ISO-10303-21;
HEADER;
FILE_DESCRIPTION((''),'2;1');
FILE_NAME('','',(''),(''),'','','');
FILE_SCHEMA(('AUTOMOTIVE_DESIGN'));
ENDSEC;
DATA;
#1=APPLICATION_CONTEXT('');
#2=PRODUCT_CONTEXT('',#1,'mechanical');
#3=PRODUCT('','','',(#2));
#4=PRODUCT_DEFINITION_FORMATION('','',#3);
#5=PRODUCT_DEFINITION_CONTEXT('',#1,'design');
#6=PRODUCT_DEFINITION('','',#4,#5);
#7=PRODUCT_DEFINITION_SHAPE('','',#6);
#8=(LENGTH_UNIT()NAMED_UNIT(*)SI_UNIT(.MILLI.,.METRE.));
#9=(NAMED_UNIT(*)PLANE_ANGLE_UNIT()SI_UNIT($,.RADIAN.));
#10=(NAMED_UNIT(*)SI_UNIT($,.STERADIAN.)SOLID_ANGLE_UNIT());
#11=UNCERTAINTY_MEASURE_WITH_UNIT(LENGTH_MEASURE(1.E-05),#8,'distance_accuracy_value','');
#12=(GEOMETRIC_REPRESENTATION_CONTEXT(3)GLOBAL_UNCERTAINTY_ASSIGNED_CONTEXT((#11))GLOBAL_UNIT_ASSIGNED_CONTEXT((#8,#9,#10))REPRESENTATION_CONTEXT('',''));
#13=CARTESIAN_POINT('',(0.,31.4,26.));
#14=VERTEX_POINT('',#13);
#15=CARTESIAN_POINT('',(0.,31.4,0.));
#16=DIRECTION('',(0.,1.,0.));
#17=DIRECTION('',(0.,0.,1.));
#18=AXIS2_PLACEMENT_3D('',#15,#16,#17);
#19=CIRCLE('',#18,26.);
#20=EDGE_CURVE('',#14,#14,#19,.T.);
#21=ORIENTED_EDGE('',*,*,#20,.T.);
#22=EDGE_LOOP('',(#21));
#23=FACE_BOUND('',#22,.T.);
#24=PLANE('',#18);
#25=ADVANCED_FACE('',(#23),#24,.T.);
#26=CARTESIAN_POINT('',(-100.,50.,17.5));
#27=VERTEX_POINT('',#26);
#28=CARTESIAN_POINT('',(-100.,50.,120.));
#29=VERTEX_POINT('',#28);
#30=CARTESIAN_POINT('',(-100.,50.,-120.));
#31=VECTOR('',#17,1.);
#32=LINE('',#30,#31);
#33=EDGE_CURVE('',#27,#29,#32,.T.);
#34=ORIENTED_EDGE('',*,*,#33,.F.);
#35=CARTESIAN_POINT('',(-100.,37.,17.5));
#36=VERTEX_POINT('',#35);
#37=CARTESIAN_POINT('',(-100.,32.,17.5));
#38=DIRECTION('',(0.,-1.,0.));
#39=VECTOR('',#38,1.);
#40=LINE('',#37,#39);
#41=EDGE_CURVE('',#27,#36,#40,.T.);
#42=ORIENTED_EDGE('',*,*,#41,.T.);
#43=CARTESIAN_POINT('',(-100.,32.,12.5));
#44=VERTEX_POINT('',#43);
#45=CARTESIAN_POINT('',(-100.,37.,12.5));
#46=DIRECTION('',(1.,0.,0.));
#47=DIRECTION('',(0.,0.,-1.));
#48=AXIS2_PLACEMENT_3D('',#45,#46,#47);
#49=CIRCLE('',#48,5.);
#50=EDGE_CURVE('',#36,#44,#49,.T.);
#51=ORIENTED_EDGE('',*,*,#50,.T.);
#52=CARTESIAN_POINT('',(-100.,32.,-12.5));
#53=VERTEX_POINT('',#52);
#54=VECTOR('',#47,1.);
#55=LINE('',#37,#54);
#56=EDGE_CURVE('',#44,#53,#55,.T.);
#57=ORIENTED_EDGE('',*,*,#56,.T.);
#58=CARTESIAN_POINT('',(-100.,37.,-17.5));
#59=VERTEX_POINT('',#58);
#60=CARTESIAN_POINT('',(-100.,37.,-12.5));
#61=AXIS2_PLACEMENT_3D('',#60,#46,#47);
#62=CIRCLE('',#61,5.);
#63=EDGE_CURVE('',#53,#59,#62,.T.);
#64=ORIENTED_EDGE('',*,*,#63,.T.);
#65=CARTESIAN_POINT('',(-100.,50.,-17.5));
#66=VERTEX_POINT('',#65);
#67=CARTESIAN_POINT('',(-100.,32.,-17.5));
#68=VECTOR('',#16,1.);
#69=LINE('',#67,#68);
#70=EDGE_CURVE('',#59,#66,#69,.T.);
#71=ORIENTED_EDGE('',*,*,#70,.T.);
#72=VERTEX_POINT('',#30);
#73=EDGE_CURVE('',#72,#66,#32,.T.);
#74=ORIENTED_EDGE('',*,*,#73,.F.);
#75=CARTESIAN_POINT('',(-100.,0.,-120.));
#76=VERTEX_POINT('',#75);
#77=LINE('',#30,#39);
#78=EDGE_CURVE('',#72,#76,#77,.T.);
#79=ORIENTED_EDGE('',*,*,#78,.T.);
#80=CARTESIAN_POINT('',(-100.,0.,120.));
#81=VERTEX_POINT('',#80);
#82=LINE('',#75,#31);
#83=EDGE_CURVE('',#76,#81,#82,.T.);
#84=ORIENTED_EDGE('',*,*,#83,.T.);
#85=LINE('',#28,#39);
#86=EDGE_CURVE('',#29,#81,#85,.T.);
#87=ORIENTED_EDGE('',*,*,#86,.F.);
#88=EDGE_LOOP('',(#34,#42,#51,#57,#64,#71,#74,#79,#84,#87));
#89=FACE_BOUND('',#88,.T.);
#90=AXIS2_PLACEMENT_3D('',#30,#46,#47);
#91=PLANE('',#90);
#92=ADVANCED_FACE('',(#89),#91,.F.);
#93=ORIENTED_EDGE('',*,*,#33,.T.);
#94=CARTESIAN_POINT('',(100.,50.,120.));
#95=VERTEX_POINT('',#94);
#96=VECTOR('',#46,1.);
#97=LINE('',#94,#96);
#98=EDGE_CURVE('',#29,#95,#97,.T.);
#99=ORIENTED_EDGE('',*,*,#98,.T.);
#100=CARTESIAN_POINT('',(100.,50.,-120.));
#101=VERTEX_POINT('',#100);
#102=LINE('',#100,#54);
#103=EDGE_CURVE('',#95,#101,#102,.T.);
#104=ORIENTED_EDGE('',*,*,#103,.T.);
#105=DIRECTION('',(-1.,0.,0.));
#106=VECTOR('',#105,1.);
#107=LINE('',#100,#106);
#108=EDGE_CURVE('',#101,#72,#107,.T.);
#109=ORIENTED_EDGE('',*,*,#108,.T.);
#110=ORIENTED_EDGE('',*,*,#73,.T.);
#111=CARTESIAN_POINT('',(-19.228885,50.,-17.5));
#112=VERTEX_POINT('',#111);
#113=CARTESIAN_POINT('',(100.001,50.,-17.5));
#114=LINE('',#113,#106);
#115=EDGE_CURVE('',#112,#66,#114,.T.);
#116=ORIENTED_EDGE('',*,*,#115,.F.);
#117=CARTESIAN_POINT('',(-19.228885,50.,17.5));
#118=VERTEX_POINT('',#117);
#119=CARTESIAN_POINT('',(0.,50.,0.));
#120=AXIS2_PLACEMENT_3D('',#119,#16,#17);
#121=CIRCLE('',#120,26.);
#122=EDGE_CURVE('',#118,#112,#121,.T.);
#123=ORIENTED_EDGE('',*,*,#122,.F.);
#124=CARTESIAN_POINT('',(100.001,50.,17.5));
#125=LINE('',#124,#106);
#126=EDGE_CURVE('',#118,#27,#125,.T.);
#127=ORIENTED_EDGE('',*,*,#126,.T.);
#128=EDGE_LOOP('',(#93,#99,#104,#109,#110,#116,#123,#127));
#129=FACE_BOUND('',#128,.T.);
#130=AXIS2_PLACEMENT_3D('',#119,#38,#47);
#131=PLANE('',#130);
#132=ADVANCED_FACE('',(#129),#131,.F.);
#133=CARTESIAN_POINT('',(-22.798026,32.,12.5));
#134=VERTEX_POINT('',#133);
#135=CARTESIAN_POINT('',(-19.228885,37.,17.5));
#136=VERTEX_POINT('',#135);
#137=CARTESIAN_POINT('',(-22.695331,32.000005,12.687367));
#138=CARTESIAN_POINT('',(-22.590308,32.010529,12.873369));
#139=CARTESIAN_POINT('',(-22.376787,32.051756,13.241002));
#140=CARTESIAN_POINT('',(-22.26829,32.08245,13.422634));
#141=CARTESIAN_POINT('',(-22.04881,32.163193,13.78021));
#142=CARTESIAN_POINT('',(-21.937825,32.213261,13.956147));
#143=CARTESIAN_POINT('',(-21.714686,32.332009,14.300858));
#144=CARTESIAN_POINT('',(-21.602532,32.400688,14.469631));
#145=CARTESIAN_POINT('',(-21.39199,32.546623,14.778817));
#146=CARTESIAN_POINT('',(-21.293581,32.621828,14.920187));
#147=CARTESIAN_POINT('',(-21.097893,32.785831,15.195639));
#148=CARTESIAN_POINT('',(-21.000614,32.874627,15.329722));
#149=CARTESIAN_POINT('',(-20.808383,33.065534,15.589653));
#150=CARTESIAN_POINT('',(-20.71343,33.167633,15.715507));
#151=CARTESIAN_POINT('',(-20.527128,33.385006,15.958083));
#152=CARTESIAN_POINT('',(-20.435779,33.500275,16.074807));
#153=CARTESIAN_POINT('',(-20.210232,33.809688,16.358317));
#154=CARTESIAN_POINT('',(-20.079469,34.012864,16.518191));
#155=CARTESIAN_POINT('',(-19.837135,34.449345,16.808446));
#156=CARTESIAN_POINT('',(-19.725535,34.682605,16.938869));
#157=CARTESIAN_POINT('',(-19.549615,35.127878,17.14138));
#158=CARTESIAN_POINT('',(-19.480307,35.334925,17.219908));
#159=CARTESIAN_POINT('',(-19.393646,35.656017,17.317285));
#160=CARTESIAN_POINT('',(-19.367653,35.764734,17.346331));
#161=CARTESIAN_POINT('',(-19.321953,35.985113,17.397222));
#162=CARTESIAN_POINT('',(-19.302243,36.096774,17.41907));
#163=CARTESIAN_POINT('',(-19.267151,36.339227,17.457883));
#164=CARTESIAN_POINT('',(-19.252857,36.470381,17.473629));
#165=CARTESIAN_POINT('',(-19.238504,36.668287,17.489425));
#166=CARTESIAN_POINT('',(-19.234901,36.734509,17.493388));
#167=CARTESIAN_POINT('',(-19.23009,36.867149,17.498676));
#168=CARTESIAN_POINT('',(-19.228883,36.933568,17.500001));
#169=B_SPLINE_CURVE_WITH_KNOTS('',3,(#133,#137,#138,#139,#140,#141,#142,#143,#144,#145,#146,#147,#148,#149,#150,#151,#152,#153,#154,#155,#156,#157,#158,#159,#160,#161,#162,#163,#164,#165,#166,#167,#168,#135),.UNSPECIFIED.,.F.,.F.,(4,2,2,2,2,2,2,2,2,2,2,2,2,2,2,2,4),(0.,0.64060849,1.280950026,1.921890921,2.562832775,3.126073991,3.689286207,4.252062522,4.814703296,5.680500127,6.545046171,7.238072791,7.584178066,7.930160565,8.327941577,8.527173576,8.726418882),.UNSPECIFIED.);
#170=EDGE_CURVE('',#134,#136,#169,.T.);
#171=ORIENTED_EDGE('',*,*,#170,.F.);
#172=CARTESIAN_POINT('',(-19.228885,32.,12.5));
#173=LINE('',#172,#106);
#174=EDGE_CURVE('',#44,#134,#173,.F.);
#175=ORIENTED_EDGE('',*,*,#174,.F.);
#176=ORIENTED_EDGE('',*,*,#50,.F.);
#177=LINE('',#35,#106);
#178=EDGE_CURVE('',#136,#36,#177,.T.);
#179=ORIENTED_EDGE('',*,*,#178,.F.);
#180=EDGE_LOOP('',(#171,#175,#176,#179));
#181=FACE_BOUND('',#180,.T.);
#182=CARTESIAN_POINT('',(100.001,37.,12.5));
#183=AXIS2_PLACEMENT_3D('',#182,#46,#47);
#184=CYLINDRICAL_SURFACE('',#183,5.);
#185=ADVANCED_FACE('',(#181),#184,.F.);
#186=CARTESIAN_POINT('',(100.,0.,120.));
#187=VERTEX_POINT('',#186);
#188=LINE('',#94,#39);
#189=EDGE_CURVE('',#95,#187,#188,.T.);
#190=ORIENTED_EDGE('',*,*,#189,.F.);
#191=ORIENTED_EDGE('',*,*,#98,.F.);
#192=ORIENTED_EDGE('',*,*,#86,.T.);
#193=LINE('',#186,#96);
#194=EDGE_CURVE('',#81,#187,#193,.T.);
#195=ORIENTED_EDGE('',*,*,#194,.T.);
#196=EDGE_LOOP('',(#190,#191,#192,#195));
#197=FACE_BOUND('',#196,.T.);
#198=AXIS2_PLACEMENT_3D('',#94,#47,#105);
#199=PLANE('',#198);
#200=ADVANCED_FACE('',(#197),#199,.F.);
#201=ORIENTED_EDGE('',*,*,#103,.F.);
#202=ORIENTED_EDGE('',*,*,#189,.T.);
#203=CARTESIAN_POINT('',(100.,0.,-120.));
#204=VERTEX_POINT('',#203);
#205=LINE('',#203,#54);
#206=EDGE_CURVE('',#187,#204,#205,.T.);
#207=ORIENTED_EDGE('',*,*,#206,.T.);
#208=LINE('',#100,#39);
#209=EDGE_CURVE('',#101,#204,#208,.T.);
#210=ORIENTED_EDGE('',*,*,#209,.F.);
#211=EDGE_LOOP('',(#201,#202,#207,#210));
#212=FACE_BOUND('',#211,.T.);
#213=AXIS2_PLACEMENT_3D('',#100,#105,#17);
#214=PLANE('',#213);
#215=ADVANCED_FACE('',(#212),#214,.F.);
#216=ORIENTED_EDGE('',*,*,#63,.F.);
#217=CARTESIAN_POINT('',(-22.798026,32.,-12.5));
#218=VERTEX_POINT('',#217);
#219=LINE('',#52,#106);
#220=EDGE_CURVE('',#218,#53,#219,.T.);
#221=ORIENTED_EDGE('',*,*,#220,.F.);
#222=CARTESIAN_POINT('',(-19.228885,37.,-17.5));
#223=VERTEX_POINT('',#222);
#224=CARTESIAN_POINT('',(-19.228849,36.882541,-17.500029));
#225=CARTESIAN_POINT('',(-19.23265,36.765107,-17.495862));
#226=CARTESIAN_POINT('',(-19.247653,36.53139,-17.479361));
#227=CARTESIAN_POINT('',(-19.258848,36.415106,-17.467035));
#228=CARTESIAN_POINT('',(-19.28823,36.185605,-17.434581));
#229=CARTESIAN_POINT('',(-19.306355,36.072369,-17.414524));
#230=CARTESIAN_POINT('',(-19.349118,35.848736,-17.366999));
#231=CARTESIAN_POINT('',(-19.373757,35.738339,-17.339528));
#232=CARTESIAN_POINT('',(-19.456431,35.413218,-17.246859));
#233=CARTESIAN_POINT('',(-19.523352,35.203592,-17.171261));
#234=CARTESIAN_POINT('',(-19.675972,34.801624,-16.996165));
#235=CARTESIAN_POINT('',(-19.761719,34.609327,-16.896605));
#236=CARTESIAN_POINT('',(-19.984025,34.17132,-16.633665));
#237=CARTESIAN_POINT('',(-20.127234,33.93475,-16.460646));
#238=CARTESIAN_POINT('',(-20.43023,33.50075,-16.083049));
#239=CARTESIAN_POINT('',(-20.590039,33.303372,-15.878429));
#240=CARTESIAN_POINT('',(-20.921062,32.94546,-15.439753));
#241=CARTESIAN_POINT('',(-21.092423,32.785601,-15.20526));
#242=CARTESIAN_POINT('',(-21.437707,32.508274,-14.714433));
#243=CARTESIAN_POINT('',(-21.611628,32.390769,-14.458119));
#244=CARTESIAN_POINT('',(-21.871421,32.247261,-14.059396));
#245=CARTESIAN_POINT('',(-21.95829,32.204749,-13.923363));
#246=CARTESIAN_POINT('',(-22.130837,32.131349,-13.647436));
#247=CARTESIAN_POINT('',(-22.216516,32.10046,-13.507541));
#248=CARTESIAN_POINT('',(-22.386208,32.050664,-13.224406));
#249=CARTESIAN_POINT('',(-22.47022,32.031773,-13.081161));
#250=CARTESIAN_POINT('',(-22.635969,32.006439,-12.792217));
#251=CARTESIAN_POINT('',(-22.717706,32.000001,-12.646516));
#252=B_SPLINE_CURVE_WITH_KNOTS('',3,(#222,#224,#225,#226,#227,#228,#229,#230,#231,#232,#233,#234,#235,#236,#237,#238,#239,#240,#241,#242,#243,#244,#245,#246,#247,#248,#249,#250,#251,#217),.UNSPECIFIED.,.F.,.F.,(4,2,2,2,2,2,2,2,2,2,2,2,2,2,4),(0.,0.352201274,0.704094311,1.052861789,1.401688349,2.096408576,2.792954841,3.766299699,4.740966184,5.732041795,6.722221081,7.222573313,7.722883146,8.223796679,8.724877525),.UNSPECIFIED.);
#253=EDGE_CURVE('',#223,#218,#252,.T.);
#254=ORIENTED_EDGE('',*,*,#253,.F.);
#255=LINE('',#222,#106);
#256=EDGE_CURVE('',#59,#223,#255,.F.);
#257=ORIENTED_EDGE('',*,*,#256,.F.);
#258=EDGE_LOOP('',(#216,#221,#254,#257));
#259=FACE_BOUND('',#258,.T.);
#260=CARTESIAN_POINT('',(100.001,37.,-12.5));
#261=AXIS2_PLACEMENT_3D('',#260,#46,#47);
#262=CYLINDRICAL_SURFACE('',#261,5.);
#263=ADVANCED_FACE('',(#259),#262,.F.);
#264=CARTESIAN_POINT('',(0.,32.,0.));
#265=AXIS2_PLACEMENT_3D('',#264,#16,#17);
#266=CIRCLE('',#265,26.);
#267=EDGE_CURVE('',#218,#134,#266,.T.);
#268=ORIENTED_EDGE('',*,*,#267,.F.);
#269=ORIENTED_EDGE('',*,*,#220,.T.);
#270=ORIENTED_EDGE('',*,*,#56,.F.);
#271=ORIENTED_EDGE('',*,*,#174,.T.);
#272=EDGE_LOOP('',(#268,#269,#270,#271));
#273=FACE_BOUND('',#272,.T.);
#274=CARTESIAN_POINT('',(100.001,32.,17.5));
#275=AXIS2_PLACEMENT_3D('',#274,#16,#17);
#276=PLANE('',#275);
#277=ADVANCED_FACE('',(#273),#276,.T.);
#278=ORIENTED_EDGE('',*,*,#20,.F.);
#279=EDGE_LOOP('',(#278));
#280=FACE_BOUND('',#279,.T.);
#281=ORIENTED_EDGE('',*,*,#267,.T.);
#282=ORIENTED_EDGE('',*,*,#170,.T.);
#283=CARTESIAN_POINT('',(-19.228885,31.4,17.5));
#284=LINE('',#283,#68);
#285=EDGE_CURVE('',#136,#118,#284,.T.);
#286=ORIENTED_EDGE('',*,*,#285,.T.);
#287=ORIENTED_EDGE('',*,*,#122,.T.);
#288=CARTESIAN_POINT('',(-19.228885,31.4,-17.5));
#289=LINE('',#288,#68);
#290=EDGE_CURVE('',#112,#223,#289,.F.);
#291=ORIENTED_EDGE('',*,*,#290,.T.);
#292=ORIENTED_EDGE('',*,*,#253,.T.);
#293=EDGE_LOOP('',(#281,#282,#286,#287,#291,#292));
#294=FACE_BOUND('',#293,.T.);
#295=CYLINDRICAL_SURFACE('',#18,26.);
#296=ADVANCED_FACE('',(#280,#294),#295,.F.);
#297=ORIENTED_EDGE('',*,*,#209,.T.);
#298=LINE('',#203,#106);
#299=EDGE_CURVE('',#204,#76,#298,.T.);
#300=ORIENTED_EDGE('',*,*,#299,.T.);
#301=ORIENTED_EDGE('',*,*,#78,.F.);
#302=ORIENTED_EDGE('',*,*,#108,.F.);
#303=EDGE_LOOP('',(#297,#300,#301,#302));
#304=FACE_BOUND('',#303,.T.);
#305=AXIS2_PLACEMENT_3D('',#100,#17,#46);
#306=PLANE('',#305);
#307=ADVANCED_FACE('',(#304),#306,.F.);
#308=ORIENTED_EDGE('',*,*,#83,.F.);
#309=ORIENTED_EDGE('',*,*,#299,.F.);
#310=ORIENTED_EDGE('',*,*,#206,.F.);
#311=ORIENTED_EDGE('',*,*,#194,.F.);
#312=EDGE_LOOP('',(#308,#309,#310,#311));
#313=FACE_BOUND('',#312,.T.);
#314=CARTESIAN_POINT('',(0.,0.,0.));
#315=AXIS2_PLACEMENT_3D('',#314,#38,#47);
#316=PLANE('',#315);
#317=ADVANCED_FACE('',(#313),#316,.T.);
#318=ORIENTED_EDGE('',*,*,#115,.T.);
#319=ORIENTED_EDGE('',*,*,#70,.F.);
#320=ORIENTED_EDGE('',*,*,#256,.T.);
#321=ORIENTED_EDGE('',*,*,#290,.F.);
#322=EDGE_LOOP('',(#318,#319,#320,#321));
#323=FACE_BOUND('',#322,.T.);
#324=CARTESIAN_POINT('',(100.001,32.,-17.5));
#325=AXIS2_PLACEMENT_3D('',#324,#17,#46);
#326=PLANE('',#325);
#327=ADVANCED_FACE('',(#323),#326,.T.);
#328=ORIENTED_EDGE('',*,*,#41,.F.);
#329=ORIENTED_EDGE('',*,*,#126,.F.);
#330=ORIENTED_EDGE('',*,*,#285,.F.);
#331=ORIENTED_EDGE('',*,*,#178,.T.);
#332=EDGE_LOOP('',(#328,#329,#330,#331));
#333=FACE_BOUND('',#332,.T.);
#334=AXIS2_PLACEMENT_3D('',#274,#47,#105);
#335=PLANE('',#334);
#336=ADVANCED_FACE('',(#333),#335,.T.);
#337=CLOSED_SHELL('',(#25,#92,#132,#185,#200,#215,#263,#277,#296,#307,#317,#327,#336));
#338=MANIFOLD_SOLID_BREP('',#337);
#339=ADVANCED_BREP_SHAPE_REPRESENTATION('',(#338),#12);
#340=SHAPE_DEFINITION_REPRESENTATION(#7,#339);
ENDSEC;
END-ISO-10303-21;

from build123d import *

# Parameters (mm, degrees)
SKETCH1_W           = 200
SKETCH1_H           = 240
BASE_DEPTH          = 50
SKETCH2_R           = 26
LOAD_CELL_CUT_DEPTH = 18.6
WIRE_CUT_REACH      = 202
SKETCH3_W           = 35
SKETCH3_H           = 18
WIRE_CUT_FILLET_R   = 5


with BuildPart() as part:
    # Sketch1 → base (new body)
    with BuildSketch(Plane(origin=(0, 0, 0), x_dir=(1, 0, 0), z_dir=(0, 1, 0))):
        Rectangle(SKETCH1_W, SKETCH1_H)
    extrude(amount=BASE_DEPTH)

    # Sketch2 → load cell cut (cut)
    with BuildSketch(Plane(origin=(0, 50, 0), x_dir=(1, 0, 0), z_dir=(0, 1, 0))):
        Circle(SKETCH2_R)
    extrude(amount=-LOAD_CELL_CUT_DEPTH, mode=Mode.SUBTRACT)

    # Sketch3 → wire cut (cut, up to next)
    with BuildSketch(Plane(origin=(-100, 0, 0), x_dir=(0, 0, -1), z_dir=(1, 0, 0)), mode=Mode.PRIVATE) as wire_cut_sk1:
        with Locations((0, 41)):
            Rectangle(SKETCH3_W, SKETCH3_H)
    wire_cut_tool1 = extrude(wire_cut_sk1.sketch, amount=WIRE_CUT_REACH, mode=Mode.PRIVATE) & part.part
    add(wire_cut_tool1.solids().sort_by_distance((-100, 41, 0))[0], mode=Mode.SUBTRACT)

    # wire cut fillet
    wire_cut_fillet_edges = [part.edges().sort_by_distance(p)[0] for p in [
        (-59.614442262, 32, -17.5),
        (-59.614442262, 32, 17.5),
    ]]
    fillet(wire_cut_fillet_edges, radius=WIRE_CUT_FILLET_R)


solid = part.part
